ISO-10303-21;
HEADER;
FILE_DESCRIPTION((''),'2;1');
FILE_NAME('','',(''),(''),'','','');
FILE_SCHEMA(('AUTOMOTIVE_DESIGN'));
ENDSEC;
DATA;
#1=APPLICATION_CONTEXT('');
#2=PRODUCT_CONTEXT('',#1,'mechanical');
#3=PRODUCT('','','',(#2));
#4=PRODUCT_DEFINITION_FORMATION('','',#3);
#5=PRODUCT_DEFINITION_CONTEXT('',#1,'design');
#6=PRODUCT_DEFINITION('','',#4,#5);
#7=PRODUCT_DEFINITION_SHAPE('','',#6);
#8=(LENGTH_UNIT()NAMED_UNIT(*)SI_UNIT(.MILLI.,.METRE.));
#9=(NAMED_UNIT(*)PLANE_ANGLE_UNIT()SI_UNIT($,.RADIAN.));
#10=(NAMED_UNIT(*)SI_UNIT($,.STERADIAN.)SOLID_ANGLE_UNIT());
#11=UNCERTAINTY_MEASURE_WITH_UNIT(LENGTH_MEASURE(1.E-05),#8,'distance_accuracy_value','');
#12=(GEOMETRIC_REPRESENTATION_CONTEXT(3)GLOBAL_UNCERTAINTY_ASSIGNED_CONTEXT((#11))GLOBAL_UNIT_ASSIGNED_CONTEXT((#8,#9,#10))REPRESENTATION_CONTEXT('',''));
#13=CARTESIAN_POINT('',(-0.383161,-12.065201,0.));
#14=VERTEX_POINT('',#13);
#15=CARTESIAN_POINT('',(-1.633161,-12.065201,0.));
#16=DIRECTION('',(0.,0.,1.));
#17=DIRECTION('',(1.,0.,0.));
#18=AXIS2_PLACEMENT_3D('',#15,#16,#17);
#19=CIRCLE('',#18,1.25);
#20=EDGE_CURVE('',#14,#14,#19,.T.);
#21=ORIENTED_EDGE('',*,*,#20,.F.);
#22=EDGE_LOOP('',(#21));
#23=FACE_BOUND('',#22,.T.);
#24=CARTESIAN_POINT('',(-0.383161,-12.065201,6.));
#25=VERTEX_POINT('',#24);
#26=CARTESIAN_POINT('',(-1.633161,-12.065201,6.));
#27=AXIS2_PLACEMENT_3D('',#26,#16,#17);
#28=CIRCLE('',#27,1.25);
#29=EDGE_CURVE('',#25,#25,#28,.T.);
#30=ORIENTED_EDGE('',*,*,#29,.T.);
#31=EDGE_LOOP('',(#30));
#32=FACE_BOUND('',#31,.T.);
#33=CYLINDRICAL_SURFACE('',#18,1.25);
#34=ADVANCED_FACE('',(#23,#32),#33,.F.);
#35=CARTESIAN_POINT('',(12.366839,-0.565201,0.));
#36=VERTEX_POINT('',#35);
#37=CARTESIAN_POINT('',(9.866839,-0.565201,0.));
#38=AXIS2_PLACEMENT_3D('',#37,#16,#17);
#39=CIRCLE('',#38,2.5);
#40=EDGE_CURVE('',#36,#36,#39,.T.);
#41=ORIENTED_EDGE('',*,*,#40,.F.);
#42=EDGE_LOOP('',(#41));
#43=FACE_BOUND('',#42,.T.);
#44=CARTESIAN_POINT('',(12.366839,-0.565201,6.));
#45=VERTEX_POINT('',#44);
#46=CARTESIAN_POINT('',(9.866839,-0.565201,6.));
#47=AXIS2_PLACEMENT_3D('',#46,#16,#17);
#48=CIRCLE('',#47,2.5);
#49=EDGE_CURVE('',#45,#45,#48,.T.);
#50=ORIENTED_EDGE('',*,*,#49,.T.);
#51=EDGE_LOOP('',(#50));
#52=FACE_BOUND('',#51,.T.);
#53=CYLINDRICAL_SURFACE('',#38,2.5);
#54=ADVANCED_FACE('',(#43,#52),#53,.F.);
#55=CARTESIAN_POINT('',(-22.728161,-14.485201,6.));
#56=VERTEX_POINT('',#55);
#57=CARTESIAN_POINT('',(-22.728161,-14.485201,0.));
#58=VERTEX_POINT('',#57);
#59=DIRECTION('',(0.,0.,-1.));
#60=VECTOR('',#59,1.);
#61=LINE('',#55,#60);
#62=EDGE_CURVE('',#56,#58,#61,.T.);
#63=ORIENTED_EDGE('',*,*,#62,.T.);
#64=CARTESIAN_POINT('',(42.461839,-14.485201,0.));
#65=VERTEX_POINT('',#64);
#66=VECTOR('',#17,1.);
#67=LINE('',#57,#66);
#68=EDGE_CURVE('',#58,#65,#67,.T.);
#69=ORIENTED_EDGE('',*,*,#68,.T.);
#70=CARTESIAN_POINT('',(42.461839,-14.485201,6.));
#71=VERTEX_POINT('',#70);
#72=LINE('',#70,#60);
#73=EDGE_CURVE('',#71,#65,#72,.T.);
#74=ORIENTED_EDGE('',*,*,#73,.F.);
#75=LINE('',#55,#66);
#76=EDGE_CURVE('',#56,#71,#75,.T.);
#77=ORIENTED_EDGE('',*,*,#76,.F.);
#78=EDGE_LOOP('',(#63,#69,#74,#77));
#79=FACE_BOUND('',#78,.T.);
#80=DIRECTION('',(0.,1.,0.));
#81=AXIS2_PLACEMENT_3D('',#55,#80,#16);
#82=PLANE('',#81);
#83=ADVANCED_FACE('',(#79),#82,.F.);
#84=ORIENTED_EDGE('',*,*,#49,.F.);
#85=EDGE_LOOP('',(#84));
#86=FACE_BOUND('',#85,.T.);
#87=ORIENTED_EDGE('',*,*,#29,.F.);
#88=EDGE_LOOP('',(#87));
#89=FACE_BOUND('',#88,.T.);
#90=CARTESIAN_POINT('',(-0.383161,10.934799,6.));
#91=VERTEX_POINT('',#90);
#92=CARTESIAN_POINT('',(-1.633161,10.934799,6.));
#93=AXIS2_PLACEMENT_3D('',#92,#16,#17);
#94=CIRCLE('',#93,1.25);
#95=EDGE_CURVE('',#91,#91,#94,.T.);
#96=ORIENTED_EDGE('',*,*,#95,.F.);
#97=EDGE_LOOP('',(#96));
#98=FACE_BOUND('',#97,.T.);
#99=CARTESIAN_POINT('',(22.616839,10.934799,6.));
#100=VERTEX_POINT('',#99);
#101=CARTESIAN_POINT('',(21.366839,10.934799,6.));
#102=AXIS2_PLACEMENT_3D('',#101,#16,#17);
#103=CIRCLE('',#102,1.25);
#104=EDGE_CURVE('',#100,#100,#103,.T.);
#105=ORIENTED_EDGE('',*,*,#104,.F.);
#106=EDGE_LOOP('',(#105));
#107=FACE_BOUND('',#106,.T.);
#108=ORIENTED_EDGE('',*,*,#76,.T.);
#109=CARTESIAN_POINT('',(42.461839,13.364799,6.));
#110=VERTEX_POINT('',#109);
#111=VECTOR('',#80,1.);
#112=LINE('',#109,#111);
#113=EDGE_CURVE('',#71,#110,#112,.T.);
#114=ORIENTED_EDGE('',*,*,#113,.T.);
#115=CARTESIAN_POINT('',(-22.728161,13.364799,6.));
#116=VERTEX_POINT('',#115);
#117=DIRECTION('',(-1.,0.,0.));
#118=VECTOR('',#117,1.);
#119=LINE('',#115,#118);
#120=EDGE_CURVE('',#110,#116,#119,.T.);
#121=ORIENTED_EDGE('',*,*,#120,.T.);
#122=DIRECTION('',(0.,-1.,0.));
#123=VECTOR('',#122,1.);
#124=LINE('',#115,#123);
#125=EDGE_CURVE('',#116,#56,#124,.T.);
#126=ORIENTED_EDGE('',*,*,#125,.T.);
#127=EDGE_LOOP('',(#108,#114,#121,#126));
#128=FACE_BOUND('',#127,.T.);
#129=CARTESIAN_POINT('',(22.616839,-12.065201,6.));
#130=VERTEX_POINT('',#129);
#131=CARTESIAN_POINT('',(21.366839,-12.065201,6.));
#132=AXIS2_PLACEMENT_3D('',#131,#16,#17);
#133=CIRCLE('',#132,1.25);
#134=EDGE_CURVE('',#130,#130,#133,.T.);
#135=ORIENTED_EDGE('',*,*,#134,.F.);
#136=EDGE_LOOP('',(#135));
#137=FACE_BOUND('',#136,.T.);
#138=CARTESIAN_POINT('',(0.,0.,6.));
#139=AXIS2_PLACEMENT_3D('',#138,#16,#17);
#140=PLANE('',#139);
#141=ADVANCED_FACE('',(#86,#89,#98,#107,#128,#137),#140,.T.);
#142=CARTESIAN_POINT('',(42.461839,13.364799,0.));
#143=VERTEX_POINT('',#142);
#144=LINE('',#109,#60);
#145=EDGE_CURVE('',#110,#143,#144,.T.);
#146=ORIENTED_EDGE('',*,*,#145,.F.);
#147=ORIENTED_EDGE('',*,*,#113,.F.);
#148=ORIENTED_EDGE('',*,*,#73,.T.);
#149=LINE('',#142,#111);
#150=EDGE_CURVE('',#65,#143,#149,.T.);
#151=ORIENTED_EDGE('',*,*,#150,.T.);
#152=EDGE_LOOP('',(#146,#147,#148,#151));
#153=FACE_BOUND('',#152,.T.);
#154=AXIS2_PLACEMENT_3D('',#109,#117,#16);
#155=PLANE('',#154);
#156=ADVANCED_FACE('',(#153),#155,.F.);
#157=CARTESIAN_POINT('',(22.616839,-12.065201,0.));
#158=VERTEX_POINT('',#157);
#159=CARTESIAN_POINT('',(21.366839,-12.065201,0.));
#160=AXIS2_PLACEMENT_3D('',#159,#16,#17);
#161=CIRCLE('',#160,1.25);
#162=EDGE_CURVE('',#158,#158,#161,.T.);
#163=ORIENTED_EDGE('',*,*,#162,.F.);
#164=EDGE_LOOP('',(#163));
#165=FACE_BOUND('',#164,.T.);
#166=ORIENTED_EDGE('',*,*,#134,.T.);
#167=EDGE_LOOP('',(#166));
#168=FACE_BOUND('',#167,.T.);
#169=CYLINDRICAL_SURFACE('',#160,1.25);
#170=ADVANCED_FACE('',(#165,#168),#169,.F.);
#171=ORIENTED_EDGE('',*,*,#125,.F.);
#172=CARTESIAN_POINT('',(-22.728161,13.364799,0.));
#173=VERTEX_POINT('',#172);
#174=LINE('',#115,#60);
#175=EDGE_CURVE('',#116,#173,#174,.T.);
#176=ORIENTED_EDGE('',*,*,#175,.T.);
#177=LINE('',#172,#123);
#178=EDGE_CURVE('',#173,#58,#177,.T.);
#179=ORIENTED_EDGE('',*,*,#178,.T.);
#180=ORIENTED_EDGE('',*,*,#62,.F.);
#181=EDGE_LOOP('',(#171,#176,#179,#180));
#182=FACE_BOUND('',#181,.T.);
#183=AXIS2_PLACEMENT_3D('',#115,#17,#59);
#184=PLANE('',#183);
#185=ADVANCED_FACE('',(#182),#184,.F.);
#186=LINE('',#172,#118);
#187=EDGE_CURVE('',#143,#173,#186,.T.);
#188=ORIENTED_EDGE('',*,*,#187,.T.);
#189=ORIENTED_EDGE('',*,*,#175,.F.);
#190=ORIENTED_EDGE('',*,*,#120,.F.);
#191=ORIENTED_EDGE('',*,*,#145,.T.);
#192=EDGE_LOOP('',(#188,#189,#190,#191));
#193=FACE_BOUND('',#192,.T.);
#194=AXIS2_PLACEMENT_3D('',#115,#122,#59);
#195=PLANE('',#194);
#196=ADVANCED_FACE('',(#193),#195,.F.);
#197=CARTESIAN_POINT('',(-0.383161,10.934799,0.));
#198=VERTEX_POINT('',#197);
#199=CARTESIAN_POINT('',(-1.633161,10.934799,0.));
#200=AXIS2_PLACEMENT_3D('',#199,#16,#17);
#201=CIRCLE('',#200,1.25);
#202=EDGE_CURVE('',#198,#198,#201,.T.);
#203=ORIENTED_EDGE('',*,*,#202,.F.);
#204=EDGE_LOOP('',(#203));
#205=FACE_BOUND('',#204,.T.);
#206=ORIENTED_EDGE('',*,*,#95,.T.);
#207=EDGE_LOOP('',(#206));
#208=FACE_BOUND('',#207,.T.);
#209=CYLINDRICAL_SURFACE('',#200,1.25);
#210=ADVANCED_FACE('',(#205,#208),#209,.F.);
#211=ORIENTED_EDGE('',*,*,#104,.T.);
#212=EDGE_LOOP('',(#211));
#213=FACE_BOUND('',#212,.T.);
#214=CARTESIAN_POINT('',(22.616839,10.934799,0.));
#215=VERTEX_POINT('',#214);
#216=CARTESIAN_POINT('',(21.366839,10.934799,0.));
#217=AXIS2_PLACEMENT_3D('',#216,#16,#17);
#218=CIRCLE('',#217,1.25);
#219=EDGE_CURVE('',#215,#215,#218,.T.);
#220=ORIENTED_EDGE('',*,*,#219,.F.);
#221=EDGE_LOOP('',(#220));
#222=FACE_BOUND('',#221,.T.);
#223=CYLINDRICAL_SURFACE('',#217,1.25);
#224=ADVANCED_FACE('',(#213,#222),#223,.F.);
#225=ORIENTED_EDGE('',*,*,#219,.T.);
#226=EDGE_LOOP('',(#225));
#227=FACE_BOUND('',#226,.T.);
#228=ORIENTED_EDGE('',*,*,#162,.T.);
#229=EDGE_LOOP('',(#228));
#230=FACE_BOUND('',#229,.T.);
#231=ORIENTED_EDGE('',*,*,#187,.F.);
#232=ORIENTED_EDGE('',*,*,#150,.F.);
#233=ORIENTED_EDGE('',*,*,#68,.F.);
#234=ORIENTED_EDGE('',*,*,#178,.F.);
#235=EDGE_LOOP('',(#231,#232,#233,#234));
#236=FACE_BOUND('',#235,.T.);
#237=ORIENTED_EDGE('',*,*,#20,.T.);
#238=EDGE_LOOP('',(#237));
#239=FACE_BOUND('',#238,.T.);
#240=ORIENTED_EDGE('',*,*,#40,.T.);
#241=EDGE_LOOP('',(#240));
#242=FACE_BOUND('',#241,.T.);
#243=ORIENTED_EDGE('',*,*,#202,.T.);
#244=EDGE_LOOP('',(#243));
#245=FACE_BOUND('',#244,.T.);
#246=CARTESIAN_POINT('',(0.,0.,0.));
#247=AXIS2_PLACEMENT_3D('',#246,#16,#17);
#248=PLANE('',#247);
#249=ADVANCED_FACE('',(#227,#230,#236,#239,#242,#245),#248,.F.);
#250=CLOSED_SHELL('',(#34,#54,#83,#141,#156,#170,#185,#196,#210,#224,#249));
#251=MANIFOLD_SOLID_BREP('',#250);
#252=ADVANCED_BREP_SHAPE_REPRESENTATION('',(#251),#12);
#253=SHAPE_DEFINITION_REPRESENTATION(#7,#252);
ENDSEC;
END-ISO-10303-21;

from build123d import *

# Parameters (mm, degrees)
ESQUISSE1_W             = 65.19
ESQUISSE1_H             = 27.85
BOSS_EXTRU_1_DEPTH      = 6
ESQUISSE2_R             = 2.5
ESQUISSE2_R_2           = 1.25
ENL_V_MAT_EXTRU_1_DEPTH = 6


with BuildPart() as part:
    # Esquisse1 → Boss.-Extru.1 (new body)
    with BuildSketch(Plane.XY):
        with Locations((9.86683908, -0.560201149)):
            Rectangle(ESQUISSE1_W, ESQUISSE1_H)
    extrude(amount=BOSS_EXTRU_1_DEPTH)

    # Esquisse2 → Enlèv. mat.-Extru.1 (cut)
    with BuildSketch(Plane.XY.offset(6)):
        with Locations((9.86683908, -0.565201149)):
            Circle(ESQUISSE2_R)
        with Locations((-1.63316092, 10.934798851)):
            Circle(ESQUISSE2_R_2)
        with Locations((21.36683908, 10.934798851)):
            Circle(ESQUISSE2_R_2)
        with Locations((21.36683908, -12.065201149)):
            Circle(ESQUISSE2_R_2)
        with Locations((-1.63316092, -12.065201149)):
            Circle(ESQUISSE2_R_2)
    extrude(amount=-ENL_V_MAT_EXTRU_1_DEPTH, mode=Mode.SUBTRACT)


solid = part.part
